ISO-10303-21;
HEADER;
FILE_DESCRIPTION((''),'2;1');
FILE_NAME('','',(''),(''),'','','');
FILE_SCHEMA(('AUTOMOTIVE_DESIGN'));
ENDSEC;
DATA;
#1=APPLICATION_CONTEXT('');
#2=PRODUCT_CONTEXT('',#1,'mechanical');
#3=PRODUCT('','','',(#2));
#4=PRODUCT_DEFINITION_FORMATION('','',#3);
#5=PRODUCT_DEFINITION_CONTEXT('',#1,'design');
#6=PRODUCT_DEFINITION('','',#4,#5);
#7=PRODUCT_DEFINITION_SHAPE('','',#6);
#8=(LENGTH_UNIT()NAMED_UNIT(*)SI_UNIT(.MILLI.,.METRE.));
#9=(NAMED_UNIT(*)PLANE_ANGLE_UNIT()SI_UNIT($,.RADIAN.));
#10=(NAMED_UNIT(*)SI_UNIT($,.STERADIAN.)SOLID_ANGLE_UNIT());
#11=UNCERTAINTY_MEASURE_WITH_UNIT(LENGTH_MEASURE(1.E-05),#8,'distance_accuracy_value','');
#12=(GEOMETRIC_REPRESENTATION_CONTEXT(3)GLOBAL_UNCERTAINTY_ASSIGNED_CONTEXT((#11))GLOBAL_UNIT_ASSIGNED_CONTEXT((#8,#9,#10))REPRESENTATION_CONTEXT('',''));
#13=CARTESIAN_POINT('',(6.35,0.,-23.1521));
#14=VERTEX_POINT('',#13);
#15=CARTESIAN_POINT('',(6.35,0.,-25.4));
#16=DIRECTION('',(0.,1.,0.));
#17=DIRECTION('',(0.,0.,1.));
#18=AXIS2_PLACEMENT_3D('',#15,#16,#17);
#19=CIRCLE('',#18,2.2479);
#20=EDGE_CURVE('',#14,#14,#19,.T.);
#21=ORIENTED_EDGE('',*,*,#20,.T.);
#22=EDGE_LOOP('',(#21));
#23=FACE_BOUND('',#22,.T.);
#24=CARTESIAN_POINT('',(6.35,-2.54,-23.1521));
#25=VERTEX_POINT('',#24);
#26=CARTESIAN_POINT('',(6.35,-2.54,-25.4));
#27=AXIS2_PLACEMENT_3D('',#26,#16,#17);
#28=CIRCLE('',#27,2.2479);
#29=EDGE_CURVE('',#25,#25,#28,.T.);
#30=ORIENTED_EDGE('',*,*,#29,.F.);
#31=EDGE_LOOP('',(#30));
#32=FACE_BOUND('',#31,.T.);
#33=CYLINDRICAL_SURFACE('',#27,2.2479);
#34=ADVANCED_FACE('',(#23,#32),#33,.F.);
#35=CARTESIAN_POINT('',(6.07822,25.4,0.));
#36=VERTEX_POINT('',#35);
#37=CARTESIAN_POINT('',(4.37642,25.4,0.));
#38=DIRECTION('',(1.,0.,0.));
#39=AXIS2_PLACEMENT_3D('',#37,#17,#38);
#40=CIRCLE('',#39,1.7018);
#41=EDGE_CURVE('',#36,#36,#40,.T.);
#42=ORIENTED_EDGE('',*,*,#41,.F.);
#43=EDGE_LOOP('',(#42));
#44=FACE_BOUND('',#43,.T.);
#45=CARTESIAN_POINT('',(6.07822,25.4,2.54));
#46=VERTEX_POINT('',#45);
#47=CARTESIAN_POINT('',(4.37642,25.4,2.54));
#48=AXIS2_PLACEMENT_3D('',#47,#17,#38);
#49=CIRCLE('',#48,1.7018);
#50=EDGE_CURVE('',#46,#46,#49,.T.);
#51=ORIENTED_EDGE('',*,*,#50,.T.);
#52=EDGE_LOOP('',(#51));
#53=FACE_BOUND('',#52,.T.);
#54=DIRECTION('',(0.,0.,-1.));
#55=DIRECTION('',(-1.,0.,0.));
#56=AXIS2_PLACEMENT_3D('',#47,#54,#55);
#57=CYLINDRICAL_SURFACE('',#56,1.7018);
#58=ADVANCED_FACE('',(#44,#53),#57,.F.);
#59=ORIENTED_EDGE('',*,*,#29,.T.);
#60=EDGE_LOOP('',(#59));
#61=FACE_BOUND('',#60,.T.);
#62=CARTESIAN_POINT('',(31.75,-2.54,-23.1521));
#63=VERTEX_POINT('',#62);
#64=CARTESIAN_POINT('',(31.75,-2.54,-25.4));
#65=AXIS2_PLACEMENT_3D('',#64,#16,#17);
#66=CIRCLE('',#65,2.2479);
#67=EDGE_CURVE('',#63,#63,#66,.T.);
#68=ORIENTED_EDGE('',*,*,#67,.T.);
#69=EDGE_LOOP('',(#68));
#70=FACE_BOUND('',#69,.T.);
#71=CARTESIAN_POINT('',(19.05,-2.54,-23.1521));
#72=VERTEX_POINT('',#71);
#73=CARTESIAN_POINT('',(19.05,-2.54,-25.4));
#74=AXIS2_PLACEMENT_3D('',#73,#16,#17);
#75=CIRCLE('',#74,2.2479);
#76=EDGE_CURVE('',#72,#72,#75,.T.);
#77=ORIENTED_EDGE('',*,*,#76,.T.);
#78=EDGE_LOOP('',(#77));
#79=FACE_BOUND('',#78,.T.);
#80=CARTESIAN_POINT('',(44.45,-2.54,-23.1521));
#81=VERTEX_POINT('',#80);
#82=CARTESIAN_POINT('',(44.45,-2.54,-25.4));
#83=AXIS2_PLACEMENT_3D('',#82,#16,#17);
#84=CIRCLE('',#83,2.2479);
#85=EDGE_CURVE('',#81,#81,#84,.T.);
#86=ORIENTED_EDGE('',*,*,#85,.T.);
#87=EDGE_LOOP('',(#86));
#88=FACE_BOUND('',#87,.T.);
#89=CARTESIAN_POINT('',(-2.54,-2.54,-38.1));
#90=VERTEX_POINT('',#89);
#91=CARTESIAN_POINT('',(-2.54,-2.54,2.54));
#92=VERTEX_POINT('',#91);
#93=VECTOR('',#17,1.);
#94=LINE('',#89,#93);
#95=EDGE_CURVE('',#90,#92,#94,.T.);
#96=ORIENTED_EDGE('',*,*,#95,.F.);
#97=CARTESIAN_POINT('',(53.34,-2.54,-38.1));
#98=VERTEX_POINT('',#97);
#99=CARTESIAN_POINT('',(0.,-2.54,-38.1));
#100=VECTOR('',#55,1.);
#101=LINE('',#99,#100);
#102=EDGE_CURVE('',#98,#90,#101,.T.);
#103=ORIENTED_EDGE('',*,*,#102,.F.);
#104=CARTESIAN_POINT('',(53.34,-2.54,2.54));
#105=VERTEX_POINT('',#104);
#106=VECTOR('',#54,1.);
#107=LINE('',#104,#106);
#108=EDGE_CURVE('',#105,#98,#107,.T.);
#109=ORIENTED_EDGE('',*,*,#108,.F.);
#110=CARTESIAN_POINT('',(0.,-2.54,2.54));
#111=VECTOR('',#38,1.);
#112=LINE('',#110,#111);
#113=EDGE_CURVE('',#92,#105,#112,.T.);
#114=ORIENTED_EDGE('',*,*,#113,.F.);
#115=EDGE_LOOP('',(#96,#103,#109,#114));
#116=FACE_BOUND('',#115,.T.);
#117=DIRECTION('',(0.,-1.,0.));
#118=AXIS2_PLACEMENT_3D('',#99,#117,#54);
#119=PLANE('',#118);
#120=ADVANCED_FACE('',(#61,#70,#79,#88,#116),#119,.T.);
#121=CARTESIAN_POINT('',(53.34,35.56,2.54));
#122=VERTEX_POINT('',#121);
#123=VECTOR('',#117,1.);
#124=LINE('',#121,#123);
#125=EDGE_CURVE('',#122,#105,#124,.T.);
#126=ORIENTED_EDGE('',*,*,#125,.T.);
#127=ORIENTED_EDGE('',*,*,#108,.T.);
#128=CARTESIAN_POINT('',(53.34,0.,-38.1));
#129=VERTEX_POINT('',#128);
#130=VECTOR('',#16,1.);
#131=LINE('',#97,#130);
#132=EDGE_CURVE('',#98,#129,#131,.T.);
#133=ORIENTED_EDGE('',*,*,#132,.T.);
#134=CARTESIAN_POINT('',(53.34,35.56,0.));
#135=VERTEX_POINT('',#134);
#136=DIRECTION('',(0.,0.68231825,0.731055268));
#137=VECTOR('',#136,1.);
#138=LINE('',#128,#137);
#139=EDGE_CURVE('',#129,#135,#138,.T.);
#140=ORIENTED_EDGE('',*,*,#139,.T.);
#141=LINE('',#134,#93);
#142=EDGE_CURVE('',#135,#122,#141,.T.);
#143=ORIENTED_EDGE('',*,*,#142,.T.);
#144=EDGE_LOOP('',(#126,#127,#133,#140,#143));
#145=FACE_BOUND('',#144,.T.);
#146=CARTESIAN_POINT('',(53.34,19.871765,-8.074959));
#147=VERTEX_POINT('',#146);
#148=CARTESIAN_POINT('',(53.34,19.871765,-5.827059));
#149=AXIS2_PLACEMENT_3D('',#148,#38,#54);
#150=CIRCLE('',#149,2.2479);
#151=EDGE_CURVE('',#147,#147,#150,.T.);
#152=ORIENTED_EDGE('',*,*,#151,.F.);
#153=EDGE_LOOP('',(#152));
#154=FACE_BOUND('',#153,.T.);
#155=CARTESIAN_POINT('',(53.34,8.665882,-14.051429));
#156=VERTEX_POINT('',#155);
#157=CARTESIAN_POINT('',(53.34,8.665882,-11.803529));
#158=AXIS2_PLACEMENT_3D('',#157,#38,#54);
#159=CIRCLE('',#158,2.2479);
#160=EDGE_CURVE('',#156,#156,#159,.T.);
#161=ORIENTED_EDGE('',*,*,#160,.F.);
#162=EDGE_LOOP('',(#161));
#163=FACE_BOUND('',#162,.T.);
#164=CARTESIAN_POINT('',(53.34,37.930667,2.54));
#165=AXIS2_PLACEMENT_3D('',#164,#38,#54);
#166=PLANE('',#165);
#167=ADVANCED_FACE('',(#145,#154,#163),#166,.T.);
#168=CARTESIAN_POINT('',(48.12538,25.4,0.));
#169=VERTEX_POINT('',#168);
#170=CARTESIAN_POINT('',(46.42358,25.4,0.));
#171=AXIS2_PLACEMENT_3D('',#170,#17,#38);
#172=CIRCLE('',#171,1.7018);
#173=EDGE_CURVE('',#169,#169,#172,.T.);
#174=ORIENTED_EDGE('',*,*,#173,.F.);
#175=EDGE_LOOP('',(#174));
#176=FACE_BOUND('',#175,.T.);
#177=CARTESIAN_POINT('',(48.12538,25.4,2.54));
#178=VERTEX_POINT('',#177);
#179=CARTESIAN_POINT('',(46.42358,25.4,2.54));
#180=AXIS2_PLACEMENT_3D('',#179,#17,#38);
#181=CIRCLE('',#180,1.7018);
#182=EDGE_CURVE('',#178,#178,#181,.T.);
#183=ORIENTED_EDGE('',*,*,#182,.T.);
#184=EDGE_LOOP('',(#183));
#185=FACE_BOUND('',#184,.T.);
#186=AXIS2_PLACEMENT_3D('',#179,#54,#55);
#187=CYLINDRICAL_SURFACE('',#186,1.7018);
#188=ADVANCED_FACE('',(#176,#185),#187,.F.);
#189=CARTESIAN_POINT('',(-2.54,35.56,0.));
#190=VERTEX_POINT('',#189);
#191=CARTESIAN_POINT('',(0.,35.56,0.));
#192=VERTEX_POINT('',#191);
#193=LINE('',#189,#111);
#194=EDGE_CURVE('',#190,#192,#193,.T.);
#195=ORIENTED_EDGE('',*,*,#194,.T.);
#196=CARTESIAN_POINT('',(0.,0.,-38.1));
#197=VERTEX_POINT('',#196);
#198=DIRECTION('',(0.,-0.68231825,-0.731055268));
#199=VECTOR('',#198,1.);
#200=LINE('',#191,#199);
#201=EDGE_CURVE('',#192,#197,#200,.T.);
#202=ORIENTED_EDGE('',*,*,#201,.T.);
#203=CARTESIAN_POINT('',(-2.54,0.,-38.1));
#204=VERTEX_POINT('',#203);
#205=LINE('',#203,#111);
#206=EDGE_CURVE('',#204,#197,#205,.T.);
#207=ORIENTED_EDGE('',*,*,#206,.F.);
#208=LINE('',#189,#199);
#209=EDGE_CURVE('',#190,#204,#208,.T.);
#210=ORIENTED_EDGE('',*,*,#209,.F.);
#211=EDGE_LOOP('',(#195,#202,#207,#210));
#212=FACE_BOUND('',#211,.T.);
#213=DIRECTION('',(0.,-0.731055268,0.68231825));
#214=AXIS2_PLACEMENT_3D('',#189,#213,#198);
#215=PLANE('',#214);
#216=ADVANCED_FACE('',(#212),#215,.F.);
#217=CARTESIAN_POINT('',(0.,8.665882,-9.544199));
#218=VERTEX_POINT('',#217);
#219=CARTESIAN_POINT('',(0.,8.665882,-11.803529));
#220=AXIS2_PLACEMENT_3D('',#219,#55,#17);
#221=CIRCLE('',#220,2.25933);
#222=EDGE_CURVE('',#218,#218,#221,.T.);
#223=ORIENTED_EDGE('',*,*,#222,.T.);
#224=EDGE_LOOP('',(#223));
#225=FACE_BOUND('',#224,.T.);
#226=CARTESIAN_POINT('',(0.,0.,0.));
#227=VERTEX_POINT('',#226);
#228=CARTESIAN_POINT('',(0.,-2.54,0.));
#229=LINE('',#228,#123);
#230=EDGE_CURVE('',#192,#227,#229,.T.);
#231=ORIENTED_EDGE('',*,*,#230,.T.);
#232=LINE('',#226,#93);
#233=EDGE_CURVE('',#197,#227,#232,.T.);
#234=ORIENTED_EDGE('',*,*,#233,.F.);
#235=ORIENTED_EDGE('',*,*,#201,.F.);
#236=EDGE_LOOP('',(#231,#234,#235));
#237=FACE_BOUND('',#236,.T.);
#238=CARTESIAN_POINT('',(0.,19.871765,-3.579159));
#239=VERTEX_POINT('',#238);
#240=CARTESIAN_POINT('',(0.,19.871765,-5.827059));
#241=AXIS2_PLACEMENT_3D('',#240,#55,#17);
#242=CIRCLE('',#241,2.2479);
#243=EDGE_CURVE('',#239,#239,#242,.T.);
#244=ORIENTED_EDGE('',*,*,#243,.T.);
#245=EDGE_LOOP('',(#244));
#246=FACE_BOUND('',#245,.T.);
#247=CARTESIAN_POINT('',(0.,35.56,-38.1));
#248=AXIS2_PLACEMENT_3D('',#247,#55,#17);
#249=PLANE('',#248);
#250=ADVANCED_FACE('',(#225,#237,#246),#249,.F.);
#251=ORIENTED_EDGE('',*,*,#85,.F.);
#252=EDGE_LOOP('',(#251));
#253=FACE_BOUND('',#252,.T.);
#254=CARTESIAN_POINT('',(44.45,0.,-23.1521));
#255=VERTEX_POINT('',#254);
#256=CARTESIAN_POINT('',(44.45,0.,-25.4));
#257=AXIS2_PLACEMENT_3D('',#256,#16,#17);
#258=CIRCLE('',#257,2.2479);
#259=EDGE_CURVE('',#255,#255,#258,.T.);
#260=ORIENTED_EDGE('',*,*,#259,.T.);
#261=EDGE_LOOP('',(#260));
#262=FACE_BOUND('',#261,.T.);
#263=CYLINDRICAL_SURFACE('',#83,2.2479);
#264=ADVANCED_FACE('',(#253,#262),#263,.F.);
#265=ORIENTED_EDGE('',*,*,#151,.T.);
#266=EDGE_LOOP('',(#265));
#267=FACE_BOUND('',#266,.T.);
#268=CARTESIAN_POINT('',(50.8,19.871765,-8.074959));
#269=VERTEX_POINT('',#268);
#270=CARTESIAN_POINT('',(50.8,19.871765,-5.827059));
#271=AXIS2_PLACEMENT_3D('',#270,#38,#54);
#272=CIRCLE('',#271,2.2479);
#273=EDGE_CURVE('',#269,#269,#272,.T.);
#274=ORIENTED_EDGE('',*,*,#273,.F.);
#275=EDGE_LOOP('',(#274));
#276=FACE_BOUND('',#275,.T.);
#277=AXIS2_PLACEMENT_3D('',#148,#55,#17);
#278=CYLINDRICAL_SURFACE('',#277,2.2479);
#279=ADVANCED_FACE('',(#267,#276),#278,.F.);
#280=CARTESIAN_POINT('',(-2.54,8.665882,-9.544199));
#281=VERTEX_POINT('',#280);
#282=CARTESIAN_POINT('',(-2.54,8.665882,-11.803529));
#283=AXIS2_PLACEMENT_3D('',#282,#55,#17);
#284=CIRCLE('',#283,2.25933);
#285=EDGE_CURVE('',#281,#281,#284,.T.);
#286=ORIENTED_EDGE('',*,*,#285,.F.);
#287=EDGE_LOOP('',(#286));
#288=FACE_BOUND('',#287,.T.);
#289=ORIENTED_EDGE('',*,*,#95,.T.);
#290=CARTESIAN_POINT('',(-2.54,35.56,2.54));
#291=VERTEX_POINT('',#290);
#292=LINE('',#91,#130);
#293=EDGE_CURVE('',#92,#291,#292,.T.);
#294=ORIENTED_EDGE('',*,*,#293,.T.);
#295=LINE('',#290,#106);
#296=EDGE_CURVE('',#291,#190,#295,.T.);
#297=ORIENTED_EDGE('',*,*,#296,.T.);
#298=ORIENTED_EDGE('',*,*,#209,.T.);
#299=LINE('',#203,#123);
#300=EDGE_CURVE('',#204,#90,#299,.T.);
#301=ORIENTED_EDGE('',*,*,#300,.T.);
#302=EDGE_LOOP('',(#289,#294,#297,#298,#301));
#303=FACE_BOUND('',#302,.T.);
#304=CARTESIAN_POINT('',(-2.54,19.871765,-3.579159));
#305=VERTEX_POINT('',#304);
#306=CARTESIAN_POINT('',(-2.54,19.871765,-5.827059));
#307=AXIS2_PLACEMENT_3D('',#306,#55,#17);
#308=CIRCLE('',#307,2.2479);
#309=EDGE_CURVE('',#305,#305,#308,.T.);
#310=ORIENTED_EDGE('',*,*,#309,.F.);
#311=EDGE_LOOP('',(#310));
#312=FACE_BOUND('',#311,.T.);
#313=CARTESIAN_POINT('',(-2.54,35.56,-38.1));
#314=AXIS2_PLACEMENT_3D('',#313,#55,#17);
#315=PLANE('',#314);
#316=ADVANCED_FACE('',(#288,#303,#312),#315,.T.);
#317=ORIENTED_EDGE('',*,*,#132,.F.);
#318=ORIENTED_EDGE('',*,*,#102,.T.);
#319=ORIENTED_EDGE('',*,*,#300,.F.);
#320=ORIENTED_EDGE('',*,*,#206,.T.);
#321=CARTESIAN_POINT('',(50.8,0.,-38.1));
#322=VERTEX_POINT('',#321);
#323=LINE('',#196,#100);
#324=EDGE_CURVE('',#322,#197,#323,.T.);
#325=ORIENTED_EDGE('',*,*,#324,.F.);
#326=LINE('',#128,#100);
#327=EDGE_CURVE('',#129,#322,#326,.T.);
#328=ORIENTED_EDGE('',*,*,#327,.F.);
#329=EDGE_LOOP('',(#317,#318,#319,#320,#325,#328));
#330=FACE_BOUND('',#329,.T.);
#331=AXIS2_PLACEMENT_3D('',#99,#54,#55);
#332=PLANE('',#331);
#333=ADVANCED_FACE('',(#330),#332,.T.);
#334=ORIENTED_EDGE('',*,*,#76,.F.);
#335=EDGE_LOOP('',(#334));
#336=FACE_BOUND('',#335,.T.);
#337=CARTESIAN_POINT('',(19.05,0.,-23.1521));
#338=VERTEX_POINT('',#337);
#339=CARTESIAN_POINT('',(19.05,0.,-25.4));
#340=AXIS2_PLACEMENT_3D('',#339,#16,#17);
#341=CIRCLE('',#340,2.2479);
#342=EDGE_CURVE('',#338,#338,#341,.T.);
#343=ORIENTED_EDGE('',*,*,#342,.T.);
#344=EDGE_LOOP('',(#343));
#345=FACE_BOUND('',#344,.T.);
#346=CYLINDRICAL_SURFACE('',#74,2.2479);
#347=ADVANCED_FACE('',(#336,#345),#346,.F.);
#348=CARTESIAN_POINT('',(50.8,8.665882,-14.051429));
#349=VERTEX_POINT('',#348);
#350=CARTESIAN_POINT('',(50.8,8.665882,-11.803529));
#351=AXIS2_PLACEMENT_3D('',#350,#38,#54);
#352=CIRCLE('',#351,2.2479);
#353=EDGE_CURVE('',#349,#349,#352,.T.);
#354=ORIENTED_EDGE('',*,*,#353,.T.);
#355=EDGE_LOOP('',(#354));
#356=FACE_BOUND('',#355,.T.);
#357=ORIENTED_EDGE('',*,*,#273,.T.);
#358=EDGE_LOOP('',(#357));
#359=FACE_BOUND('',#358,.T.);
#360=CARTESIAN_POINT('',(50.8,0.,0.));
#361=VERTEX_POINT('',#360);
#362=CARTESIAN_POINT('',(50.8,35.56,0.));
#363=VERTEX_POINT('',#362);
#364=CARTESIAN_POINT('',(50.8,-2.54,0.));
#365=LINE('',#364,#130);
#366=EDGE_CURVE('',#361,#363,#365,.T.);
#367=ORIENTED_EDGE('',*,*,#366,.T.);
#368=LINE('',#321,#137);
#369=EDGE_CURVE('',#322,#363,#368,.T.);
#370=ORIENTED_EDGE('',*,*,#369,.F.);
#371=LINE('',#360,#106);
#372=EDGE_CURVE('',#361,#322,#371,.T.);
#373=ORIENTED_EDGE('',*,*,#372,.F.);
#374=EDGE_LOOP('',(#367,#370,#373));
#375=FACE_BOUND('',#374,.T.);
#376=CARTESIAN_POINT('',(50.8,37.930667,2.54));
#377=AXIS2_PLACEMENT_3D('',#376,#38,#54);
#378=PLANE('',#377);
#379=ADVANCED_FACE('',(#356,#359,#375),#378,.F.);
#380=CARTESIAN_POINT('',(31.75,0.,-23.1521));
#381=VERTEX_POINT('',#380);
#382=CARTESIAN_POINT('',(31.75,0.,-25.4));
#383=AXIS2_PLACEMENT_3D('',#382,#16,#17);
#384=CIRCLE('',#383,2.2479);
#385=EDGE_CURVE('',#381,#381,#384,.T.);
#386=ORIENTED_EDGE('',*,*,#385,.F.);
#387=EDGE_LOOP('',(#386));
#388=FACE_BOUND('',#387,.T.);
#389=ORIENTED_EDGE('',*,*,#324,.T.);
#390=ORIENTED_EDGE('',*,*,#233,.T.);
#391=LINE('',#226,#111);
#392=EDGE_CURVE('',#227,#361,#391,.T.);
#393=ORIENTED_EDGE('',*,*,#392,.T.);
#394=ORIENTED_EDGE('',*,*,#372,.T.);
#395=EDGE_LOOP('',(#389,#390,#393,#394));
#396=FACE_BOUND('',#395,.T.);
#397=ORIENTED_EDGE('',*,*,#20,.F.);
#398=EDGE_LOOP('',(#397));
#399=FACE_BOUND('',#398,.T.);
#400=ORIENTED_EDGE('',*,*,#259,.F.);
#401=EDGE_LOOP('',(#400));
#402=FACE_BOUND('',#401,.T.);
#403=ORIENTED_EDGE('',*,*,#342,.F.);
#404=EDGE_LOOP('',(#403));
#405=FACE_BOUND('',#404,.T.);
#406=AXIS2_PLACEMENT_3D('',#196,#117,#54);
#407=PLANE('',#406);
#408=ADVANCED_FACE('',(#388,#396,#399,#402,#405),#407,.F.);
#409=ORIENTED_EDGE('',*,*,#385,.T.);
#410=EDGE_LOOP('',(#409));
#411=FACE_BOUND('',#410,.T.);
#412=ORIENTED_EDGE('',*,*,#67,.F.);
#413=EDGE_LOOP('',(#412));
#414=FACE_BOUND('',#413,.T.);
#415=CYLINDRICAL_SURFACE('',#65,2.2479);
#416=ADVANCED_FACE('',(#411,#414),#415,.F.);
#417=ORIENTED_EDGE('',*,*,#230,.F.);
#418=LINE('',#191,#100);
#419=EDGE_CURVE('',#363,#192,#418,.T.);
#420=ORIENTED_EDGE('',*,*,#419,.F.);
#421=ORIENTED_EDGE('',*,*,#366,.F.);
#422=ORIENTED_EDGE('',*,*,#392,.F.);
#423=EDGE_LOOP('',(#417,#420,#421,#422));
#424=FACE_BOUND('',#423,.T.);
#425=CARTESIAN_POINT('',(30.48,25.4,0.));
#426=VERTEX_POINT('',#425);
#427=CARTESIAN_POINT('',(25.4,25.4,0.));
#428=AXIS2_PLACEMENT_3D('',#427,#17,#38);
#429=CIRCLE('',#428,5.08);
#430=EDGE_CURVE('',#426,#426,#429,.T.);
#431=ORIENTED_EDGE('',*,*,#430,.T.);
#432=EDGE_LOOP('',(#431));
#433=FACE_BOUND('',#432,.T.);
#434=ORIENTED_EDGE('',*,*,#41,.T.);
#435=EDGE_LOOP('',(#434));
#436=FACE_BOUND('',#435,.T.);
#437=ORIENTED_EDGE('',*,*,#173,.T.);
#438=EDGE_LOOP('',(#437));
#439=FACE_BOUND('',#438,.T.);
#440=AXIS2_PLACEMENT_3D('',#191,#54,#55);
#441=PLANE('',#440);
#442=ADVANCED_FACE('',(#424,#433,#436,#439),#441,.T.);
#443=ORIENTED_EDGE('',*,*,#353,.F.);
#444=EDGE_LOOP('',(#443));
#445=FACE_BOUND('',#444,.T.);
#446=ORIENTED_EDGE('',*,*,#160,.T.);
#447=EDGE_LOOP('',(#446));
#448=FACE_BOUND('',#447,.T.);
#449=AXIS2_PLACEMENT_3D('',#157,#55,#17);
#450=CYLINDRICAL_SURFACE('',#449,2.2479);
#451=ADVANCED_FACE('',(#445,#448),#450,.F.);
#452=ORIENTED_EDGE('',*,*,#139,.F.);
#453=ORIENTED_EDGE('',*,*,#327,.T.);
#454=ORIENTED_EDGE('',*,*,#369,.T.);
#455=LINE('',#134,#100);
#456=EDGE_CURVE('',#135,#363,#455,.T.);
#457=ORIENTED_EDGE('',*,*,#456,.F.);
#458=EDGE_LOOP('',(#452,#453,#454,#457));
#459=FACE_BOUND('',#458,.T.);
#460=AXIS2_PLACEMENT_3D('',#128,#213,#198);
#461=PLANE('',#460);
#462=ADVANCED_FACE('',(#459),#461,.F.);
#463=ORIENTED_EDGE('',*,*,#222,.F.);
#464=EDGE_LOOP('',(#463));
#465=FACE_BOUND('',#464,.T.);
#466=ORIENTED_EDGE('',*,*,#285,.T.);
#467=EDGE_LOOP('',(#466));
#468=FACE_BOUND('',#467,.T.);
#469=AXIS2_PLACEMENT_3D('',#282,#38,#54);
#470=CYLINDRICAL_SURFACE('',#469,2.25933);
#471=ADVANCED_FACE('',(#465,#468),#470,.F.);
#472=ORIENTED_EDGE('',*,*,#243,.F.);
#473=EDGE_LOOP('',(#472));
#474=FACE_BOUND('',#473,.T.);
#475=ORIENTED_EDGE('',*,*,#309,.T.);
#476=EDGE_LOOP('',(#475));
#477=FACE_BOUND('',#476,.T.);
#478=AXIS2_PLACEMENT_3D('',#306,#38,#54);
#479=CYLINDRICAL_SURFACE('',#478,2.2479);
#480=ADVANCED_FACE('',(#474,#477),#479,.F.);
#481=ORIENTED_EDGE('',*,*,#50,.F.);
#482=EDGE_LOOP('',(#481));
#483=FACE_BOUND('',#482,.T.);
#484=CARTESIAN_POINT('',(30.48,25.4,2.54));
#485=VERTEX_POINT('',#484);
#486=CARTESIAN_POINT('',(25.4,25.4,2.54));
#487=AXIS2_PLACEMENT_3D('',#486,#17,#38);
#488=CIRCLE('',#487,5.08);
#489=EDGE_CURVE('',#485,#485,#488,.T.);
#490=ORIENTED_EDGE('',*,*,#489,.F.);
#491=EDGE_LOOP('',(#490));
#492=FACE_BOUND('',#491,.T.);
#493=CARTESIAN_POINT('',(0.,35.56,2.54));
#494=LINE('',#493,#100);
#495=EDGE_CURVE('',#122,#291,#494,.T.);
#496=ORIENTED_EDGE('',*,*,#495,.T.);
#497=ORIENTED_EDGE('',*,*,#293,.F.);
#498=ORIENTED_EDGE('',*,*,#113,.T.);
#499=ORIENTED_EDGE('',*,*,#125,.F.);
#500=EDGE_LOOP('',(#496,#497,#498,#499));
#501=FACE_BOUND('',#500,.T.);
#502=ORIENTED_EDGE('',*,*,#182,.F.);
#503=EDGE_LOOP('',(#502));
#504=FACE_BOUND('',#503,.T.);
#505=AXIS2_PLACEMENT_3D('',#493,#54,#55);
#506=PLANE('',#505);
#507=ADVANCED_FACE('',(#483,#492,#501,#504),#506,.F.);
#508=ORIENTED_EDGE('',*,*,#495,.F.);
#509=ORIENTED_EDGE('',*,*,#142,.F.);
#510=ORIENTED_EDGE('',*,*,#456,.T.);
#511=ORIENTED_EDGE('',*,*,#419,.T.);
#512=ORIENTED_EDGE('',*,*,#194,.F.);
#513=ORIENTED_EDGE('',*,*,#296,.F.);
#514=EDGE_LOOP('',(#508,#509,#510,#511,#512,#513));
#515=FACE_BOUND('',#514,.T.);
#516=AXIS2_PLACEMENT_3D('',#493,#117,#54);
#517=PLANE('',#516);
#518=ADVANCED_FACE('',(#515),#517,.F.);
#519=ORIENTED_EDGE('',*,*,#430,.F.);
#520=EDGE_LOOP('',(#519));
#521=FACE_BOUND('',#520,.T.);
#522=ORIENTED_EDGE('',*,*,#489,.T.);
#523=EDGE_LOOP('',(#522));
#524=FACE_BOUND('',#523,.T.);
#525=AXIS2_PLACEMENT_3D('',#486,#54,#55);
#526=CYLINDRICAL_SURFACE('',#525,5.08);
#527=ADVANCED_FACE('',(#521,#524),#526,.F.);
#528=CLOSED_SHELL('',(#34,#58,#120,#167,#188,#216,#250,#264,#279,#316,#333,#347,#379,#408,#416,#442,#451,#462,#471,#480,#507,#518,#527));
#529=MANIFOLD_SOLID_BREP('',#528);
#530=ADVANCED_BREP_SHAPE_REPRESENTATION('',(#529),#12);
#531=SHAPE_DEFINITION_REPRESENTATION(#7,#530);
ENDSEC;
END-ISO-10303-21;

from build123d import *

# Parameters (mm, degrees)
SKETCH1_W           = 50.8
SKETCH1_H           = 38.1
SKETCH1_R           = 2.2479
BOSS_EXTRUDE1_DEPTH = 2.54
SKETCH4_W           = 50.8
SKETCH4_H           = 38.1
SKETCH4_R           = 5.08
SKETCH4_R_2         = 1.7018
BOSS_EXTRUDE2_DEPTH = 2.54
SKETCH5_R           = 2.2479
BOSS_EXTRUDE3_DEPTH = 2.54
BOSS_EXTRUDE4_START = 2.54
SKETCH6_R           = 2.25933
SKETCH6_R_2         = 2.2479
BOSS_EXTRUDE4_DEPTH = 2.54


with BuildPart() as part:
    # Sketch1 → Boss-Extrude1 (new body)
    with BuildSketch(Plane(origin=(0, 0, 0), x_dir=(1, 0, 0), z_dir=(0, 1, 0))):
        with Locations((25.4, 19.05)):
            Rectangle(SKETCH1_W, SKETCH1_H)
        with Locations(Location((6.35, 25.4, 0), (0, 0, 270))):
            Circle(SKETCH1_R, mode=Mode.SUBTRACT)
        with Locations(Location((19.05, 25.4, 0), (0, 0, 270))):
            Circle(SKETCH1_R, mode=Mode.SUBTRACT)
        with Locations(Location((31.75, 25.4, 0), (0, 0, 270))):
            Circle(SKETCH1_R, mode=Mode.SUBTRACT)
        with Locations(Location((44.45, 25.4, 0), (0, 0, 270))):
            Circle(SKETCH1_R, mode=Mode.SUBTRACT)
    extrude(amount=-BOSS_EXTRUDE1_DEPTH)

    # Sketch4 → Boss-Extrude2 (add)
    with BuildSketch(Plane.XY):
        with Locations((25.4, 16.51)):
            Rectangle(SKETCH4_W, SKETCH4_H)
        with Locations((25.4, 25.4)):
            Circle(SKETCH4_R, mode=Mode.SUBTRACT)
        with Locations((4.37642, 25.4)):
            Circle(SKETCH4_R_2, mode=Mode.SUBTRACT)
        with Locations((46.42358, 25.4)):
            Circle(SKETCH4_R_2, mode=Mode.SUBTRACT)
    extrude(amount=BOSS_EXTRUDE2_DEPTH)

    # Sketch5 → Boss-Extrude3 (add)
    with BuildSketch(Plane(origin=(50.8, 0, 0), x_dir=(0, 0, -1), z_dir=(1, 0, 0))):
        Polygon((0, 35.56), (-2.54, 35.56), (-2.54, -2.54), (38.1, -2.54), (38.1, 0), align=None)
        with Locations((11.803529412, 8.665882353)):
            Circle(SKETCH5_R, mode=Mode.SUBTRACT)
        with Locations((5.827058824, 19.871764706)):
            Circle(SKETCH5_R, mode=Mode.SUBTRACT)
    extrude(amount=BOSS_EXTRUDE3_DEPTH)

    # Sketch6 → Boss-Extrude4 (add)
    with BuildSketch(Plane.ZY.offset(BOSS_EXTRUDE4_START)):
        Polygon((0, 35.56), (-38.1, 0), (-38.1, -2.54), (2.54, -2.54), (2.54, 35.56), align=None)
        with Locations((-11.803529412, 8.665882353)):
            Circle(SKETCH6_R, mode=Mode.SUBTRACT)
        with Locations(Location((-5.827058824, 19.871764706, 0), (0, 0, 180))):
            Circle(SKETCH6_R_2, mode=Mode.SUBTRACT)
    extrude(amount=-BOSS_EXTRUDE4_DEPTH)


solid = part.part
